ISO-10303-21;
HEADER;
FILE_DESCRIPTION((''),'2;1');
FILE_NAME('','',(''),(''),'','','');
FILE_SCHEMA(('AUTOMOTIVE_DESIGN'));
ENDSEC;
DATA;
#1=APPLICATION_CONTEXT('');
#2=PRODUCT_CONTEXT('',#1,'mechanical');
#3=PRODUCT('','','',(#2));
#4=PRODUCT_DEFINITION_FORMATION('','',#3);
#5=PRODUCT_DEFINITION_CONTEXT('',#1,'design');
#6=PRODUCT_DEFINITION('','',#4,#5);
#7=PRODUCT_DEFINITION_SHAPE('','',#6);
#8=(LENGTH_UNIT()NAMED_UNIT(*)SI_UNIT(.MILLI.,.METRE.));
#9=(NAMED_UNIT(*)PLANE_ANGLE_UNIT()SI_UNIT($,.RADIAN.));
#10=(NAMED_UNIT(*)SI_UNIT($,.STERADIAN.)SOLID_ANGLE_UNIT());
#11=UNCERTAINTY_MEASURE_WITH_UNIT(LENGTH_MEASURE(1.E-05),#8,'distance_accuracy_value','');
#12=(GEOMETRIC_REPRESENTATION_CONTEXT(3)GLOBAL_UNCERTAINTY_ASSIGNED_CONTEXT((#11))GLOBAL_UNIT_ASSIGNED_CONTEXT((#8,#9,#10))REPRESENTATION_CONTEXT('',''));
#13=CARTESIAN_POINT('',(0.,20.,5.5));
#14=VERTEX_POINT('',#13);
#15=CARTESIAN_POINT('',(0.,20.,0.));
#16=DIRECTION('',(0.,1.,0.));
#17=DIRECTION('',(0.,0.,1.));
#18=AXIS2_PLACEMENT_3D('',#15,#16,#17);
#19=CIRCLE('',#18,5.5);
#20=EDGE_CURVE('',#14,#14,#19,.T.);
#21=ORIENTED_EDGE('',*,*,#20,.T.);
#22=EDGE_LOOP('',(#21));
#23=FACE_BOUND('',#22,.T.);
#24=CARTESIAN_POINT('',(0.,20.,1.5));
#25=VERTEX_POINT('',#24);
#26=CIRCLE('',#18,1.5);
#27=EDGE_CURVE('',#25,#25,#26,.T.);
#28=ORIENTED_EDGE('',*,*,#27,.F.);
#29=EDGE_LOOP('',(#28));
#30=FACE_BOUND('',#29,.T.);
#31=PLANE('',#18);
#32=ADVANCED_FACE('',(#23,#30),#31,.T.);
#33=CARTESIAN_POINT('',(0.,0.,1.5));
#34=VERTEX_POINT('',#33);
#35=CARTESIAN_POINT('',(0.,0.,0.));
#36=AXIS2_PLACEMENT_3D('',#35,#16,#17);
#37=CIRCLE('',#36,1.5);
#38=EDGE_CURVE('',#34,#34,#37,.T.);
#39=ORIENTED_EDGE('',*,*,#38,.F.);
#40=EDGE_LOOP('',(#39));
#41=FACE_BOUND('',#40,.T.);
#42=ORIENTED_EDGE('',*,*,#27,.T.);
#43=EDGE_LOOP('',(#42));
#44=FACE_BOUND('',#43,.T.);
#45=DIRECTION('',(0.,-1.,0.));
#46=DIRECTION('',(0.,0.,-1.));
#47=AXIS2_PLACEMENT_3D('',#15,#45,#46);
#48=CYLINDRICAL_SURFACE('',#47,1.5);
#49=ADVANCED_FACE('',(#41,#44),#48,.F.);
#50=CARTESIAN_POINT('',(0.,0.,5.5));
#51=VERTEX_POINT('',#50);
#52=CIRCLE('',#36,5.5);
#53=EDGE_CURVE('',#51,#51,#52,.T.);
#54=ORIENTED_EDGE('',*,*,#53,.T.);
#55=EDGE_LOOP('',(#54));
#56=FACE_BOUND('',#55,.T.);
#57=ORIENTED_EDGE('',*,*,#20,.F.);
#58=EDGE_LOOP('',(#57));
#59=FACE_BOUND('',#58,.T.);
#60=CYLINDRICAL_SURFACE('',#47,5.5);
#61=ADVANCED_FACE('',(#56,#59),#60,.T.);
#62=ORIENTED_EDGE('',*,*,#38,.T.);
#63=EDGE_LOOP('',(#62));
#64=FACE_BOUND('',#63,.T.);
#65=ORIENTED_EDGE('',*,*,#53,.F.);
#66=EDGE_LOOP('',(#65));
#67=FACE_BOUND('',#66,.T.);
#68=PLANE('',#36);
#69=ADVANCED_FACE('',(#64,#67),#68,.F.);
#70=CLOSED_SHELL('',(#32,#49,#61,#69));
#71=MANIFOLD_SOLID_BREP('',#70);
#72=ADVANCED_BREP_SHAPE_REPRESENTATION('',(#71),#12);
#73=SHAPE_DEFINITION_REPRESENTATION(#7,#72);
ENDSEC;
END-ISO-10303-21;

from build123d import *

# Parameters (mm, degrees)
SKETCH1_R           = 5.5
SKETCH1_R_2         = 1.5
BOSS_EXTRUDE1_DEPTH = 20


with BuildPart() as part:
    # Sketch1 → Boss-Extrude1 (new body)
    with BuildSketch(Plane(origin=(0, 0, 0), x_dir=(1, 0, 0), z_dir=(0, 1, 0))):
        Circle(SKETCH1_R)
        Circle(SKETCH1_R_2, mode=Mode.SUBTRACT)
    extrude(amount=BOSS_EXTRUDE1_DEPTH)


solid = part.part
